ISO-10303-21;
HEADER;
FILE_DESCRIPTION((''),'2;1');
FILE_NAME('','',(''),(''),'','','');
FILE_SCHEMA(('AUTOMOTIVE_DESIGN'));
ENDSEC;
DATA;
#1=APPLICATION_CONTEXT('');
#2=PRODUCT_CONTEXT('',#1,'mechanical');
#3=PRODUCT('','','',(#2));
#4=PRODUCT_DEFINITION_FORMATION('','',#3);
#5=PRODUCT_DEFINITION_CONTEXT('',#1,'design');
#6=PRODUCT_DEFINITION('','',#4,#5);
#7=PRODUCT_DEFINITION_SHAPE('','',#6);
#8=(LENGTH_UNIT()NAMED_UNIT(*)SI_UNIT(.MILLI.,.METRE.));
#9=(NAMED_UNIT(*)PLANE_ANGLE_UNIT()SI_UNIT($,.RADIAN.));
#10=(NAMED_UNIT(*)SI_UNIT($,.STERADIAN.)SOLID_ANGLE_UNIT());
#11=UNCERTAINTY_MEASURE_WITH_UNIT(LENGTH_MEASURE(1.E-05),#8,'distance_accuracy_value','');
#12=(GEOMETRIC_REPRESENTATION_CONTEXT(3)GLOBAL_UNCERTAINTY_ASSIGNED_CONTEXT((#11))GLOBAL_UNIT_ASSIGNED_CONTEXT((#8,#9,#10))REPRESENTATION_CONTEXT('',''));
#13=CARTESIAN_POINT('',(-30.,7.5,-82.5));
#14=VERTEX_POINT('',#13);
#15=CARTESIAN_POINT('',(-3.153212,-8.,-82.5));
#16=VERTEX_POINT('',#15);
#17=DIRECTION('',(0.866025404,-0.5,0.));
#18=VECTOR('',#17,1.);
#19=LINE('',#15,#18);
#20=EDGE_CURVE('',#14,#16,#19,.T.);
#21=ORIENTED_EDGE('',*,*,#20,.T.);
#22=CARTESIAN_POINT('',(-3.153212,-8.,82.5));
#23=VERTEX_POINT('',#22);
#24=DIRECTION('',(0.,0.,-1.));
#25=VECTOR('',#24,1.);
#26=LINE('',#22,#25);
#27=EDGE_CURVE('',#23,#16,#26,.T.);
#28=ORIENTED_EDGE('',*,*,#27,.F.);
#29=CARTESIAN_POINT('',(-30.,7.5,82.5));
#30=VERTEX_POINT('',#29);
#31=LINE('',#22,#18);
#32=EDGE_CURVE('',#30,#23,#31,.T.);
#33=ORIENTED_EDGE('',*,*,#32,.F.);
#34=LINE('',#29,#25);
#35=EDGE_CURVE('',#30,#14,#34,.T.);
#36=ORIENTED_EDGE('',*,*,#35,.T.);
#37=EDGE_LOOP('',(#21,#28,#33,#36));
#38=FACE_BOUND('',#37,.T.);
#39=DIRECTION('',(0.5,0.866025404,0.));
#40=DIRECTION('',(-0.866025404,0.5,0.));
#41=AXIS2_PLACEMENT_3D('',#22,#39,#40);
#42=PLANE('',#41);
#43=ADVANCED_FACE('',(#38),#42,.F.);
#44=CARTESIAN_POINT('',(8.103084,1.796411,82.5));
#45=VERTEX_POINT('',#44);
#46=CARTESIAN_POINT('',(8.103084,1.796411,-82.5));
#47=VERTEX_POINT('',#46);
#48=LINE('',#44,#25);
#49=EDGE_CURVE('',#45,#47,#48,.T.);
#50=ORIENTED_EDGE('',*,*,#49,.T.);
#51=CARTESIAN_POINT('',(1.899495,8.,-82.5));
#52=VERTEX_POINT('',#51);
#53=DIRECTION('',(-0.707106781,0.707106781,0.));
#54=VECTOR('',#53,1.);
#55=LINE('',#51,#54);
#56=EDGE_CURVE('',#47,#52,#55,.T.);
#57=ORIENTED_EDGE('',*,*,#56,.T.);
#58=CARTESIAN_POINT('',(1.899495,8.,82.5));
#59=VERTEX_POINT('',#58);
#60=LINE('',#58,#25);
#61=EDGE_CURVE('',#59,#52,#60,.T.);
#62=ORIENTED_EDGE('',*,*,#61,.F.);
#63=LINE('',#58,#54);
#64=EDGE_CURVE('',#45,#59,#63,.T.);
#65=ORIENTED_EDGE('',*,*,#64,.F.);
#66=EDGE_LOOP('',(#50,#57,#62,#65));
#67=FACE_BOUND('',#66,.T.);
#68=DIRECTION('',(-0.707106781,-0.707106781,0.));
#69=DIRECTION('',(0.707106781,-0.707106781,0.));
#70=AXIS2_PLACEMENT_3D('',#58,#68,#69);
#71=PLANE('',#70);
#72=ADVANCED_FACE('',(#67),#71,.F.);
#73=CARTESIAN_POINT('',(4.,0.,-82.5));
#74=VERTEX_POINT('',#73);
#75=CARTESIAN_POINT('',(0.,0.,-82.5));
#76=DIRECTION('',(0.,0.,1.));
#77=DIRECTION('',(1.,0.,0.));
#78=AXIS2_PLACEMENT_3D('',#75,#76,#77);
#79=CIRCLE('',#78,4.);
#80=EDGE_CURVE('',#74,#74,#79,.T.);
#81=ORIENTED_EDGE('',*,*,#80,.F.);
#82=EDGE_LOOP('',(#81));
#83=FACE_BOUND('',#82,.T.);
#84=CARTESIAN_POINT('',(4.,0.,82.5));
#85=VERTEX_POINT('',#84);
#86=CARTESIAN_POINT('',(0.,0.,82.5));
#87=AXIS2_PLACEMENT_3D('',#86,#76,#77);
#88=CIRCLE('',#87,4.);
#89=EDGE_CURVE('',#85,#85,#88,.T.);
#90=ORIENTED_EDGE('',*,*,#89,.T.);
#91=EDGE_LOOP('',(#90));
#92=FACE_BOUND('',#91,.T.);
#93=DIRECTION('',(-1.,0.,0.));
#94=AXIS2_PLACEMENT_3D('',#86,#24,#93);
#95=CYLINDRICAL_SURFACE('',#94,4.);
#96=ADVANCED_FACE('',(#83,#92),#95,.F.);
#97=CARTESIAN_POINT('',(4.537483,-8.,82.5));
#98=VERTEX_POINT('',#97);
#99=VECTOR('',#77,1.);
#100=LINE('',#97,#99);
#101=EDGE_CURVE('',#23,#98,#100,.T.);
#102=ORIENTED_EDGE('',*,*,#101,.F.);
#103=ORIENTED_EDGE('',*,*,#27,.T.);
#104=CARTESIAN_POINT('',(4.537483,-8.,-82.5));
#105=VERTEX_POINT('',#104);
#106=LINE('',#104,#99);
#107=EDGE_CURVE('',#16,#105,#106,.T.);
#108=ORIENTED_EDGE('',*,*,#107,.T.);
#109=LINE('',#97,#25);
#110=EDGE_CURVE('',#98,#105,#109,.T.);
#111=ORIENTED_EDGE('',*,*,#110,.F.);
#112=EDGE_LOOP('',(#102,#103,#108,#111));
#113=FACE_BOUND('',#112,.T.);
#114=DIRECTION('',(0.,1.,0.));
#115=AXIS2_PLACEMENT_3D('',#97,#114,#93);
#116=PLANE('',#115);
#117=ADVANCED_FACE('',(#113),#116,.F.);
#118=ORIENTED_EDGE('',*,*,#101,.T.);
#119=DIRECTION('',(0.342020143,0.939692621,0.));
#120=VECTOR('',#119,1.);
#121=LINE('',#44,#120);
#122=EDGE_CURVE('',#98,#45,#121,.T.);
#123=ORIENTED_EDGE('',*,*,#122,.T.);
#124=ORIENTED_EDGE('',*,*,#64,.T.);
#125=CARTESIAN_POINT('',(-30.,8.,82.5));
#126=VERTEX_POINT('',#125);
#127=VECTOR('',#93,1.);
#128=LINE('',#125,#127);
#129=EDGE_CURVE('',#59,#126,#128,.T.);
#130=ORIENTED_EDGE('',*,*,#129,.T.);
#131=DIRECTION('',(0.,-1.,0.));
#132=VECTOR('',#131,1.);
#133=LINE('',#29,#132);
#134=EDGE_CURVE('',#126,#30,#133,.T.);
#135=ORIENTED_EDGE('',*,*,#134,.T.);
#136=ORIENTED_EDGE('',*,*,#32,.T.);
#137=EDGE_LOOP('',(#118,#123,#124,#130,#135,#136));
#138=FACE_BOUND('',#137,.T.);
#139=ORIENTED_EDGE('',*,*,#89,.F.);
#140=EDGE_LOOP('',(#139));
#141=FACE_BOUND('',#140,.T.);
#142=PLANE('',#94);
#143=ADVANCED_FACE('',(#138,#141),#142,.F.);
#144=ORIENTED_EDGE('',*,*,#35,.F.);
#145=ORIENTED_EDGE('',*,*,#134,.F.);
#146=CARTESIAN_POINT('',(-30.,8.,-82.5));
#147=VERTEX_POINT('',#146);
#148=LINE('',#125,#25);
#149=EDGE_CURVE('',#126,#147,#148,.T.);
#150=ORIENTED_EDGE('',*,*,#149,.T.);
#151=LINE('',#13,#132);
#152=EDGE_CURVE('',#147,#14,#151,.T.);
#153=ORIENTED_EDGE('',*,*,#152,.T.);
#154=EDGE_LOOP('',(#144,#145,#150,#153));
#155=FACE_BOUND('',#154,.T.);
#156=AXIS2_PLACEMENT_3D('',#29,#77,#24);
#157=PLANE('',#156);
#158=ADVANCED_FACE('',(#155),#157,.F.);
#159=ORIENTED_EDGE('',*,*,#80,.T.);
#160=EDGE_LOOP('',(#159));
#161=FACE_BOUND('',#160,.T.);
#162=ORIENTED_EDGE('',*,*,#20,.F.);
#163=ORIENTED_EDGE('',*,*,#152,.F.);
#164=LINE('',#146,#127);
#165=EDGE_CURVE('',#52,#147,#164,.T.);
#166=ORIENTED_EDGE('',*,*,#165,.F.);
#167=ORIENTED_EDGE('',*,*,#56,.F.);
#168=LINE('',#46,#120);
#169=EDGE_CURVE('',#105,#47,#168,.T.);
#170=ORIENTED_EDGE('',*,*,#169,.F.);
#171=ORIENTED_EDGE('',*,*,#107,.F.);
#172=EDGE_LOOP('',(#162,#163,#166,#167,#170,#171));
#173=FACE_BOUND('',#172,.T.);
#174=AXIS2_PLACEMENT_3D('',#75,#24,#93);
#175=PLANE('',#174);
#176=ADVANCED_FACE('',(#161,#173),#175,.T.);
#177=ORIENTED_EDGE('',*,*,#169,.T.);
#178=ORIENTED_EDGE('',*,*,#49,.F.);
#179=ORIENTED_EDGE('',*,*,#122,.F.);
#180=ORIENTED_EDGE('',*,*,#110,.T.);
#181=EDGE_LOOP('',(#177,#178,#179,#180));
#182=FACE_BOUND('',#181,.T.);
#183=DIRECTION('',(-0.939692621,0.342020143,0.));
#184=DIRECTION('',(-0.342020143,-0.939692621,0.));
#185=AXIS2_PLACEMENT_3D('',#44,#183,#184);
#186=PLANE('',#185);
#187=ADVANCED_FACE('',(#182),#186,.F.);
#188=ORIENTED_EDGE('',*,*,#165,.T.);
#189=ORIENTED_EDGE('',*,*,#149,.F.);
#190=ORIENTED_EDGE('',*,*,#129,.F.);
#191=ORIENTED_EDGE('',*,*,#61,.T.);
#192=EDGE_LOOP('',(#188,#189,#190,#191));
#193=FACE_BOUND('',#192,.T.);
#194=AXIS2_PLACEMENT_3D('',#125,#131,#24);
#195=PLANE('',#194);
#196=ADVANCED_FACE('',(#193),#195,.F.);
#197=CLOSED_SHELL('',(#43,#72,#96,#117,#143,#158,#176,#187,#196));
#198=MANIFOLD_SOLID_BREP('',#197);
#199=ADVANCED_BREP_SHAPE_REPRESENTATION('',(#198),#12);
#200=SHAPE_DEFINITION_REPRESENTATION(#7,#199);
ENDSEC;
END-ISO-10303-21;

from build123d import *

# Parameters (mm, degrees)
SKIZZE1_R                       = 4
AUFSATZ_LINEAR_AUSTRAGEN1_DEPTH = 82.5


with BuildPart() as part:
    # Skizze1 → Aufsatz-Linear austragen1 (new, symmetric)
    with BuildSketch(Plane.XY):
        Polygon((-30, 8), (1.899494937, 8), (8.103084379, 1.796410558), (4.537482533, -8), (-3.153212483, -8), (-30, 7.5), align=None)
        Circle(SKIZZE1_R, mode=Mode.SUBTRACT)
    extrude(amount=AUFSATZ_LINEAR_AUSTRAGEN1_DEPTH, both=True)


solid = part.part
